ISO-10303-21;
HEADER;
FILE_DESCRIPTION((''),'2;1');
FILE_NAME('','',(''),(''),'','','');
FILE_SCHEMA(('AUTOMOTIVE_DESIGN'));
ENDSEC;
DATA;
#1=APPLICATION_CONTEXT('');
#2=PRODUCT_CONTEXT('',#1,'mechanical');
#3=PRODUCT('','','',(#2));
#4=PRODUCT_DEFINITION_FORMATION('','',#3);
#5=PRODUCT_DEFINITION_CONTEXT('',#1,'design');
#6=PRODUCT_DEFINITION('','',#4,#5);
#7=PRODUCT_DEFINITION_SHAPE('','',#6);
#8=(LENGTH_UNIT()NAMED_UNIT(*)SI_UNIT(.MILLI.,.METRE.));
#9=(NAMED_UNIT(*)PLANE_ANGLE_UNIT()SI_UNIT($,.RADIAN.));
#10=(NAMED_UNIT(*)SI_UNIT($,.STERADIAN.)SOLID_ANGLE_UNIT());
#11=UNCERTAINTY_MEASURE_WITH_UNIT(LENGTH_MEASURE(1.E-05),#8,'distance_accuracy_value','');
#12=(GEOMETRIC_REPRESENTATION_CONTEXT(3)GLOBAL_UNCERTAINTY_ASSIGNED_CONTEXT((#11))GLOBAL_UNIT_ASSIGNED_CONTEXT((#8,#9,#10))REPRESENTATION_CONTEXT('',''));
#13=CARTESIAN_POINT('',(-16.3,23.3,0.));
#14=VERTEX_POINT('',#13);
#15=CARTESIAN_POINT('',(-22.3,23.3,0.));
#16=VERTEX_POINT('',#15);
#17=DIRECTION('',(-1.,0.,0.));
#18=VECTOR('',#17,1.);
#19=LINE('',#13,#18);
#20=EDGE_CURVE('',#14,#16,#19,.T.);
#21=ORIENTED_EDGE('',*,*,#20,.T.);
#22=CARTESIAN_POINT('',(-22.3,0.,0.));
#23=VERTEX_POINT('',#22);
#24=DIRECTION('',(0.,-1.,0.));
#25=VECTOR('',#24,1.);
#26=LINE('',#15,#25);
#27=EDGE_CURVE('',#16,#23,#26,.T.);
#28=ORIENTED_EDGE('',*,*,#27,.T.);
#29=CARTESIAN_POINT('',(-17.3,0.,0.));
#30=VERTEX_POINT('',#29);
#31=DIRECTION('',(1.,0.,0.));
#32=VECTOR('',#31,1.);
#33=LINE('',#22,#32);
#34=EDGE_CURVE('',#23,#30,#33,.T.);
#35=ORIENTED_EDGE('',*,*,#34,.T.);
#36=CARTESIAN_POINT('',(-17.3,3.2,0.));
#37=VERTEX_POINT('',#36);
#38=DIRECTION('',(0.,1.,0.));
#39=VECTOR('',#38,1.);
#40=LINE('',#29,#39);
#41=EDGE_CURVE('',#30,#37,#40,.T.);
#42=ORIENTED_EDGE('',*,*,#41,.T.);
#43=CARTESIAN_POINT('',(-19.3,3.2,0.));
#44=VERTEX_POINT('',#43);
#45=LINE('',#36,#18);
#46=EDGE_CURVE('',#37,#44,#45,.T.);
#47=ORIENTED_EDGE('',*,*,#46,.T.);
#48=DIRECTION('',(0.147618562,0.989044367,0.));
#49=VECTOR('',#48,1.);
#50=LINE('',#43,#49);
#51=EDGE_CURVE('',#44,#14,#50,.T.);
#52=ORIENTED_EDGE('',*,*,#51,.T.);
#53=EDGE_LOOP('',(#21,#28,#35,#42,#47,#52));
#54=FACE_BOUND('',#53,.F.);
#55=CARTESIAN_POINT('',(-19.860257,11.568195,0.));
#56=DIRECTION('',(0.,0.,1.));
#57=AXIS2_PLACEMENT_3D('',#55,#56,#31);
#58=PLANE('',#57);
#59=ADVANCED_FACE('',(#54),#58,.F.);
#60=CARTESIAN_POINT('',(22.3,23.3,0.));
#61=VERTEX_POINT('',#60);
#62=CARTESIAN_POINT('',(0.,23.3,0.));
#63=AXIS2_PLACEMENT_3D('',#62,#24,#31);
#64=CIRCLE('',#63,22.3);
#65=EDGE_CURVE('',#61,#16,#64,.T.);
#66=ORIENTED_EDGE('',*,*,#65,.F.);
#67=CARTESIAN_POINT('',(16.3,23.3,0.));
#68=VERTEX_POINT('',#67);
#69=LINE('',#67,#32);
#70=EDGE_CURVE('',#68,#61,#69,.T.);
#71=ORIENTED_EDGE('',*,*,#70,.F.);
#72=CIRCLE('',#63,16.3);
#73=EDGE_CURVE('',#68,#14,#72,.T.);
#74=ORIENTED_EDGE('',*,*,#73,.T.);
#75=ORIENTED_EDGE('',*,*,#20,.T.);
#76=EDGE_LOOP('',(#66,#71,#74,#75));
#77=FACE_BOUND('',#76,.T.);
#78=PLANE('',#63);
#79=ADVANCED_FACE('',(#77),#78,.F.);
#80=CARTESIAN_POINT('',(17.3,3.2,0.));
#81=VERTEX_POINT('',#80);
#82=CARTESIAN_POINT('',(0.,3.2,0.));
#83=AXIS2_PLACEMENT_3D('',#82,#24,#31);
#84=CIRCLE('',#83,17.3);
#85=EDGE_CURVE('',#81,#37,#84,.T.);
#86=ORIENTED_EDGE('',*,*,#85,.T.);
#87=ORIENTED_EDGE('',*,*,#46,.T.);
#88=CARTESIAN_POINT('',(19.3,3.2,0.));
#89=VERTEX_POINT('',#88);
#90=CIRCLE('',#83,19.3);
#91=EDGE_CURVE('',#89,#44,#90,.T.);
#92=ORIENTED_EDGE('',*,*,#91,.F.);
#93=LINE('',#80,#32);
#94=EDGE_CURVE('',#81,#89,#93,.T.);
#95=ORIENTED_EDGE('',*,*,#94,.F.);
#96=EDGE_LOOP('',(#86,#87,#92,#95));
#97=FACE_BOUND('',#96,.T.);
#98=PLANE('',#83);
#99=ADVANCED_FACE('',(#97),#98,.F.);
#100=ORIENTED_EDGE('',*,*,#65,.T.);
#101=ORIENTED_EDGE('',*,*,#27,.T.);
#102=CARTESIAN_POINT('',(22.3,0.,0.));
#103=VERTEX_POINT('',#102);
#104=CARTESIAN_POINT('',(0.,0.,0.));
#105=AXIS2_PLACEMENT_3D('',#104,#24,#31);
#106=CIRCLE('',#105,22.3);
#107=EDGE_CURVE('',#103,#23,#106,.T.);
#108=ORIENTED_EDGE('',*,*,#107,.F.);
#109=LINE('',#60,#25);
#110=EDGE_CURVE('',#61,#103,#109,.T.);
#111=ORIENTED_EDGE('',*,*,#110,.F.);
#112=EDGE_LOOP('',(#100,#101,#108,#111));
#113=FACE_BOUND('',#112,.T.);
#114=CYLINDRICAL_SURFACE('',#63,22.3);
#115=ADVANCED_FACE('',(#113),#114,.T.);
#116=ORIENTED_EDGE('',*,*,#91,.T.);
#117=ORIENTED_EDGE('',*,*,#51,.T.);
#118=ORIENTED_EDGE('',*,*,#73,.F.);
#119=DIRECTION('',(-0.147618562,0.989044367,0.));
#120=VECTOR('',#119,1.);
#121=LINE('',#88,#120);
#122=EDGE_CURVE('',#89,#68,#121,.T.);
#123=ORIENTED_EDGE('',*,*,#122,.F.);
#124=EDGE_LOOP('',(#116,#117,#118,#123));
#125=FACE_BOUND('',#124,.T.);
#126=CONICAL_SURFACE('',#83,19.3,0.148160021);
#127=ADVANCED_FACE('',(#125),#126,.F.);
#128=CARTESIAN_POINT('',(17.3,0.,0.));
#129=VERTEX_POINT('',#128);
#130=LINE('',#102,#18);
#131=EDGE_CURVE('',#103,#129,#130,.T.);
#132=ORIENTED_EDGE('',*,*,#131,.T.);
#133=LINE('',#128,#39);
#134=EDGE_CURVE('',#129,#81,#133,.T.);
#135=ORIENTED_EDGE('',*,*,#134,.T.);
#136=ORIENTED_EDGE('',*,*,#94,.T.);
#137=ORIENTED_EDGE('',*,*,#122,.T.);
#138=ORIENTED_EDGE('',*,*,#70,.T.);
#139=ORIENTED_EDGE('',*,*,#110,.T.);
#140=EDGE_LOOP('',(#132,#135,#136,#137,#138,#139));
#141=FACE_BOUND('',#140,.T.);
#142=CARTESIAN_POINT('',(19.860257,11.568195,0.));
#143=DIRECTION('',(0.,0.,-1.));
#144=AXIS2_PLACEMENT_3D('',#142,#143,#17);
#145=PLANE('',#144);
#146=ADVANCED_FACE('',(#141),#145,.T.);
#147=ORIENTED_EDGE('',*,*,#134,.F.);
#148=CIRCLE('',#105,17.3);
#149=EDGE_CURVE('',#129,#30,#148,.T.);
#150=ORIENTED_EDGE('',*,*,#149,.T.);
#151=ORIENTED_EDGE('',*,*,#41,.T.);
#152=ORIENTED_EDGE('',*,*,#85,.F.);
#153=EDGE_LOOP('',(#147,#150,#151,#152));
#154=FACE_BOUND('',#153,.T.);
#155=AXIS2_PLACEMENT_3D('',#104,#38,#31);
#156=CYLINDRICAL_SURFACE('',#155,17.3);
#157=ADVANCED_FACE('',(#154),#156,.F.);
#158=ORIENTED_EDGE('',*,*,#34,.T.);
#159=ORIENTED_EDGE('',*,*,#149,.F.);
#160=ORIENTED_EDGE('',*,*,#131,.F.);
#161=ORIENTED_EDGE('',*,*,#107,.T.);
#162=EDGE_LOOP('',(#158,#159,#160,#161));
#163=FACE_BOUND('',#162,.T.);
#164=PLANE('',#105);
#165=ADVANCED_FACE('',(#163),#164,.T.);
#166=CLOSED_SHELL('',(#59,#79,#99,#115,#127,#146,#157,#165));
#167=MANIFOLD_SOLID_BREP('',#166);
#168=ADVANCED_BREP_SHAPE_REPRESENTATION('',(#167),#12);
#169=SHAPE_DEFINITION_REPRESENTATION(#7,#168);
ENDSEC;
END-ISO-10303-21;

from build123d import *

# Parameters (mm, degrees)
REVOLUTION_ANGLE = -180


with BuildPart() as part:
    # Sketch → Revolution (revolve)
    with BuildSketch(Plane.XY):
        Polygon((17.3, 0), (17.3, 3.2), (19.3, 3.2), (16.3, 23.3), (22.3, 23.3), (22.3, 0), align=None)
    revolve(axis=Axis((0, 0, 0), (0, 1, 0)), revolution_arc=REVOLUTION_ANGLE)


solid = part.part
